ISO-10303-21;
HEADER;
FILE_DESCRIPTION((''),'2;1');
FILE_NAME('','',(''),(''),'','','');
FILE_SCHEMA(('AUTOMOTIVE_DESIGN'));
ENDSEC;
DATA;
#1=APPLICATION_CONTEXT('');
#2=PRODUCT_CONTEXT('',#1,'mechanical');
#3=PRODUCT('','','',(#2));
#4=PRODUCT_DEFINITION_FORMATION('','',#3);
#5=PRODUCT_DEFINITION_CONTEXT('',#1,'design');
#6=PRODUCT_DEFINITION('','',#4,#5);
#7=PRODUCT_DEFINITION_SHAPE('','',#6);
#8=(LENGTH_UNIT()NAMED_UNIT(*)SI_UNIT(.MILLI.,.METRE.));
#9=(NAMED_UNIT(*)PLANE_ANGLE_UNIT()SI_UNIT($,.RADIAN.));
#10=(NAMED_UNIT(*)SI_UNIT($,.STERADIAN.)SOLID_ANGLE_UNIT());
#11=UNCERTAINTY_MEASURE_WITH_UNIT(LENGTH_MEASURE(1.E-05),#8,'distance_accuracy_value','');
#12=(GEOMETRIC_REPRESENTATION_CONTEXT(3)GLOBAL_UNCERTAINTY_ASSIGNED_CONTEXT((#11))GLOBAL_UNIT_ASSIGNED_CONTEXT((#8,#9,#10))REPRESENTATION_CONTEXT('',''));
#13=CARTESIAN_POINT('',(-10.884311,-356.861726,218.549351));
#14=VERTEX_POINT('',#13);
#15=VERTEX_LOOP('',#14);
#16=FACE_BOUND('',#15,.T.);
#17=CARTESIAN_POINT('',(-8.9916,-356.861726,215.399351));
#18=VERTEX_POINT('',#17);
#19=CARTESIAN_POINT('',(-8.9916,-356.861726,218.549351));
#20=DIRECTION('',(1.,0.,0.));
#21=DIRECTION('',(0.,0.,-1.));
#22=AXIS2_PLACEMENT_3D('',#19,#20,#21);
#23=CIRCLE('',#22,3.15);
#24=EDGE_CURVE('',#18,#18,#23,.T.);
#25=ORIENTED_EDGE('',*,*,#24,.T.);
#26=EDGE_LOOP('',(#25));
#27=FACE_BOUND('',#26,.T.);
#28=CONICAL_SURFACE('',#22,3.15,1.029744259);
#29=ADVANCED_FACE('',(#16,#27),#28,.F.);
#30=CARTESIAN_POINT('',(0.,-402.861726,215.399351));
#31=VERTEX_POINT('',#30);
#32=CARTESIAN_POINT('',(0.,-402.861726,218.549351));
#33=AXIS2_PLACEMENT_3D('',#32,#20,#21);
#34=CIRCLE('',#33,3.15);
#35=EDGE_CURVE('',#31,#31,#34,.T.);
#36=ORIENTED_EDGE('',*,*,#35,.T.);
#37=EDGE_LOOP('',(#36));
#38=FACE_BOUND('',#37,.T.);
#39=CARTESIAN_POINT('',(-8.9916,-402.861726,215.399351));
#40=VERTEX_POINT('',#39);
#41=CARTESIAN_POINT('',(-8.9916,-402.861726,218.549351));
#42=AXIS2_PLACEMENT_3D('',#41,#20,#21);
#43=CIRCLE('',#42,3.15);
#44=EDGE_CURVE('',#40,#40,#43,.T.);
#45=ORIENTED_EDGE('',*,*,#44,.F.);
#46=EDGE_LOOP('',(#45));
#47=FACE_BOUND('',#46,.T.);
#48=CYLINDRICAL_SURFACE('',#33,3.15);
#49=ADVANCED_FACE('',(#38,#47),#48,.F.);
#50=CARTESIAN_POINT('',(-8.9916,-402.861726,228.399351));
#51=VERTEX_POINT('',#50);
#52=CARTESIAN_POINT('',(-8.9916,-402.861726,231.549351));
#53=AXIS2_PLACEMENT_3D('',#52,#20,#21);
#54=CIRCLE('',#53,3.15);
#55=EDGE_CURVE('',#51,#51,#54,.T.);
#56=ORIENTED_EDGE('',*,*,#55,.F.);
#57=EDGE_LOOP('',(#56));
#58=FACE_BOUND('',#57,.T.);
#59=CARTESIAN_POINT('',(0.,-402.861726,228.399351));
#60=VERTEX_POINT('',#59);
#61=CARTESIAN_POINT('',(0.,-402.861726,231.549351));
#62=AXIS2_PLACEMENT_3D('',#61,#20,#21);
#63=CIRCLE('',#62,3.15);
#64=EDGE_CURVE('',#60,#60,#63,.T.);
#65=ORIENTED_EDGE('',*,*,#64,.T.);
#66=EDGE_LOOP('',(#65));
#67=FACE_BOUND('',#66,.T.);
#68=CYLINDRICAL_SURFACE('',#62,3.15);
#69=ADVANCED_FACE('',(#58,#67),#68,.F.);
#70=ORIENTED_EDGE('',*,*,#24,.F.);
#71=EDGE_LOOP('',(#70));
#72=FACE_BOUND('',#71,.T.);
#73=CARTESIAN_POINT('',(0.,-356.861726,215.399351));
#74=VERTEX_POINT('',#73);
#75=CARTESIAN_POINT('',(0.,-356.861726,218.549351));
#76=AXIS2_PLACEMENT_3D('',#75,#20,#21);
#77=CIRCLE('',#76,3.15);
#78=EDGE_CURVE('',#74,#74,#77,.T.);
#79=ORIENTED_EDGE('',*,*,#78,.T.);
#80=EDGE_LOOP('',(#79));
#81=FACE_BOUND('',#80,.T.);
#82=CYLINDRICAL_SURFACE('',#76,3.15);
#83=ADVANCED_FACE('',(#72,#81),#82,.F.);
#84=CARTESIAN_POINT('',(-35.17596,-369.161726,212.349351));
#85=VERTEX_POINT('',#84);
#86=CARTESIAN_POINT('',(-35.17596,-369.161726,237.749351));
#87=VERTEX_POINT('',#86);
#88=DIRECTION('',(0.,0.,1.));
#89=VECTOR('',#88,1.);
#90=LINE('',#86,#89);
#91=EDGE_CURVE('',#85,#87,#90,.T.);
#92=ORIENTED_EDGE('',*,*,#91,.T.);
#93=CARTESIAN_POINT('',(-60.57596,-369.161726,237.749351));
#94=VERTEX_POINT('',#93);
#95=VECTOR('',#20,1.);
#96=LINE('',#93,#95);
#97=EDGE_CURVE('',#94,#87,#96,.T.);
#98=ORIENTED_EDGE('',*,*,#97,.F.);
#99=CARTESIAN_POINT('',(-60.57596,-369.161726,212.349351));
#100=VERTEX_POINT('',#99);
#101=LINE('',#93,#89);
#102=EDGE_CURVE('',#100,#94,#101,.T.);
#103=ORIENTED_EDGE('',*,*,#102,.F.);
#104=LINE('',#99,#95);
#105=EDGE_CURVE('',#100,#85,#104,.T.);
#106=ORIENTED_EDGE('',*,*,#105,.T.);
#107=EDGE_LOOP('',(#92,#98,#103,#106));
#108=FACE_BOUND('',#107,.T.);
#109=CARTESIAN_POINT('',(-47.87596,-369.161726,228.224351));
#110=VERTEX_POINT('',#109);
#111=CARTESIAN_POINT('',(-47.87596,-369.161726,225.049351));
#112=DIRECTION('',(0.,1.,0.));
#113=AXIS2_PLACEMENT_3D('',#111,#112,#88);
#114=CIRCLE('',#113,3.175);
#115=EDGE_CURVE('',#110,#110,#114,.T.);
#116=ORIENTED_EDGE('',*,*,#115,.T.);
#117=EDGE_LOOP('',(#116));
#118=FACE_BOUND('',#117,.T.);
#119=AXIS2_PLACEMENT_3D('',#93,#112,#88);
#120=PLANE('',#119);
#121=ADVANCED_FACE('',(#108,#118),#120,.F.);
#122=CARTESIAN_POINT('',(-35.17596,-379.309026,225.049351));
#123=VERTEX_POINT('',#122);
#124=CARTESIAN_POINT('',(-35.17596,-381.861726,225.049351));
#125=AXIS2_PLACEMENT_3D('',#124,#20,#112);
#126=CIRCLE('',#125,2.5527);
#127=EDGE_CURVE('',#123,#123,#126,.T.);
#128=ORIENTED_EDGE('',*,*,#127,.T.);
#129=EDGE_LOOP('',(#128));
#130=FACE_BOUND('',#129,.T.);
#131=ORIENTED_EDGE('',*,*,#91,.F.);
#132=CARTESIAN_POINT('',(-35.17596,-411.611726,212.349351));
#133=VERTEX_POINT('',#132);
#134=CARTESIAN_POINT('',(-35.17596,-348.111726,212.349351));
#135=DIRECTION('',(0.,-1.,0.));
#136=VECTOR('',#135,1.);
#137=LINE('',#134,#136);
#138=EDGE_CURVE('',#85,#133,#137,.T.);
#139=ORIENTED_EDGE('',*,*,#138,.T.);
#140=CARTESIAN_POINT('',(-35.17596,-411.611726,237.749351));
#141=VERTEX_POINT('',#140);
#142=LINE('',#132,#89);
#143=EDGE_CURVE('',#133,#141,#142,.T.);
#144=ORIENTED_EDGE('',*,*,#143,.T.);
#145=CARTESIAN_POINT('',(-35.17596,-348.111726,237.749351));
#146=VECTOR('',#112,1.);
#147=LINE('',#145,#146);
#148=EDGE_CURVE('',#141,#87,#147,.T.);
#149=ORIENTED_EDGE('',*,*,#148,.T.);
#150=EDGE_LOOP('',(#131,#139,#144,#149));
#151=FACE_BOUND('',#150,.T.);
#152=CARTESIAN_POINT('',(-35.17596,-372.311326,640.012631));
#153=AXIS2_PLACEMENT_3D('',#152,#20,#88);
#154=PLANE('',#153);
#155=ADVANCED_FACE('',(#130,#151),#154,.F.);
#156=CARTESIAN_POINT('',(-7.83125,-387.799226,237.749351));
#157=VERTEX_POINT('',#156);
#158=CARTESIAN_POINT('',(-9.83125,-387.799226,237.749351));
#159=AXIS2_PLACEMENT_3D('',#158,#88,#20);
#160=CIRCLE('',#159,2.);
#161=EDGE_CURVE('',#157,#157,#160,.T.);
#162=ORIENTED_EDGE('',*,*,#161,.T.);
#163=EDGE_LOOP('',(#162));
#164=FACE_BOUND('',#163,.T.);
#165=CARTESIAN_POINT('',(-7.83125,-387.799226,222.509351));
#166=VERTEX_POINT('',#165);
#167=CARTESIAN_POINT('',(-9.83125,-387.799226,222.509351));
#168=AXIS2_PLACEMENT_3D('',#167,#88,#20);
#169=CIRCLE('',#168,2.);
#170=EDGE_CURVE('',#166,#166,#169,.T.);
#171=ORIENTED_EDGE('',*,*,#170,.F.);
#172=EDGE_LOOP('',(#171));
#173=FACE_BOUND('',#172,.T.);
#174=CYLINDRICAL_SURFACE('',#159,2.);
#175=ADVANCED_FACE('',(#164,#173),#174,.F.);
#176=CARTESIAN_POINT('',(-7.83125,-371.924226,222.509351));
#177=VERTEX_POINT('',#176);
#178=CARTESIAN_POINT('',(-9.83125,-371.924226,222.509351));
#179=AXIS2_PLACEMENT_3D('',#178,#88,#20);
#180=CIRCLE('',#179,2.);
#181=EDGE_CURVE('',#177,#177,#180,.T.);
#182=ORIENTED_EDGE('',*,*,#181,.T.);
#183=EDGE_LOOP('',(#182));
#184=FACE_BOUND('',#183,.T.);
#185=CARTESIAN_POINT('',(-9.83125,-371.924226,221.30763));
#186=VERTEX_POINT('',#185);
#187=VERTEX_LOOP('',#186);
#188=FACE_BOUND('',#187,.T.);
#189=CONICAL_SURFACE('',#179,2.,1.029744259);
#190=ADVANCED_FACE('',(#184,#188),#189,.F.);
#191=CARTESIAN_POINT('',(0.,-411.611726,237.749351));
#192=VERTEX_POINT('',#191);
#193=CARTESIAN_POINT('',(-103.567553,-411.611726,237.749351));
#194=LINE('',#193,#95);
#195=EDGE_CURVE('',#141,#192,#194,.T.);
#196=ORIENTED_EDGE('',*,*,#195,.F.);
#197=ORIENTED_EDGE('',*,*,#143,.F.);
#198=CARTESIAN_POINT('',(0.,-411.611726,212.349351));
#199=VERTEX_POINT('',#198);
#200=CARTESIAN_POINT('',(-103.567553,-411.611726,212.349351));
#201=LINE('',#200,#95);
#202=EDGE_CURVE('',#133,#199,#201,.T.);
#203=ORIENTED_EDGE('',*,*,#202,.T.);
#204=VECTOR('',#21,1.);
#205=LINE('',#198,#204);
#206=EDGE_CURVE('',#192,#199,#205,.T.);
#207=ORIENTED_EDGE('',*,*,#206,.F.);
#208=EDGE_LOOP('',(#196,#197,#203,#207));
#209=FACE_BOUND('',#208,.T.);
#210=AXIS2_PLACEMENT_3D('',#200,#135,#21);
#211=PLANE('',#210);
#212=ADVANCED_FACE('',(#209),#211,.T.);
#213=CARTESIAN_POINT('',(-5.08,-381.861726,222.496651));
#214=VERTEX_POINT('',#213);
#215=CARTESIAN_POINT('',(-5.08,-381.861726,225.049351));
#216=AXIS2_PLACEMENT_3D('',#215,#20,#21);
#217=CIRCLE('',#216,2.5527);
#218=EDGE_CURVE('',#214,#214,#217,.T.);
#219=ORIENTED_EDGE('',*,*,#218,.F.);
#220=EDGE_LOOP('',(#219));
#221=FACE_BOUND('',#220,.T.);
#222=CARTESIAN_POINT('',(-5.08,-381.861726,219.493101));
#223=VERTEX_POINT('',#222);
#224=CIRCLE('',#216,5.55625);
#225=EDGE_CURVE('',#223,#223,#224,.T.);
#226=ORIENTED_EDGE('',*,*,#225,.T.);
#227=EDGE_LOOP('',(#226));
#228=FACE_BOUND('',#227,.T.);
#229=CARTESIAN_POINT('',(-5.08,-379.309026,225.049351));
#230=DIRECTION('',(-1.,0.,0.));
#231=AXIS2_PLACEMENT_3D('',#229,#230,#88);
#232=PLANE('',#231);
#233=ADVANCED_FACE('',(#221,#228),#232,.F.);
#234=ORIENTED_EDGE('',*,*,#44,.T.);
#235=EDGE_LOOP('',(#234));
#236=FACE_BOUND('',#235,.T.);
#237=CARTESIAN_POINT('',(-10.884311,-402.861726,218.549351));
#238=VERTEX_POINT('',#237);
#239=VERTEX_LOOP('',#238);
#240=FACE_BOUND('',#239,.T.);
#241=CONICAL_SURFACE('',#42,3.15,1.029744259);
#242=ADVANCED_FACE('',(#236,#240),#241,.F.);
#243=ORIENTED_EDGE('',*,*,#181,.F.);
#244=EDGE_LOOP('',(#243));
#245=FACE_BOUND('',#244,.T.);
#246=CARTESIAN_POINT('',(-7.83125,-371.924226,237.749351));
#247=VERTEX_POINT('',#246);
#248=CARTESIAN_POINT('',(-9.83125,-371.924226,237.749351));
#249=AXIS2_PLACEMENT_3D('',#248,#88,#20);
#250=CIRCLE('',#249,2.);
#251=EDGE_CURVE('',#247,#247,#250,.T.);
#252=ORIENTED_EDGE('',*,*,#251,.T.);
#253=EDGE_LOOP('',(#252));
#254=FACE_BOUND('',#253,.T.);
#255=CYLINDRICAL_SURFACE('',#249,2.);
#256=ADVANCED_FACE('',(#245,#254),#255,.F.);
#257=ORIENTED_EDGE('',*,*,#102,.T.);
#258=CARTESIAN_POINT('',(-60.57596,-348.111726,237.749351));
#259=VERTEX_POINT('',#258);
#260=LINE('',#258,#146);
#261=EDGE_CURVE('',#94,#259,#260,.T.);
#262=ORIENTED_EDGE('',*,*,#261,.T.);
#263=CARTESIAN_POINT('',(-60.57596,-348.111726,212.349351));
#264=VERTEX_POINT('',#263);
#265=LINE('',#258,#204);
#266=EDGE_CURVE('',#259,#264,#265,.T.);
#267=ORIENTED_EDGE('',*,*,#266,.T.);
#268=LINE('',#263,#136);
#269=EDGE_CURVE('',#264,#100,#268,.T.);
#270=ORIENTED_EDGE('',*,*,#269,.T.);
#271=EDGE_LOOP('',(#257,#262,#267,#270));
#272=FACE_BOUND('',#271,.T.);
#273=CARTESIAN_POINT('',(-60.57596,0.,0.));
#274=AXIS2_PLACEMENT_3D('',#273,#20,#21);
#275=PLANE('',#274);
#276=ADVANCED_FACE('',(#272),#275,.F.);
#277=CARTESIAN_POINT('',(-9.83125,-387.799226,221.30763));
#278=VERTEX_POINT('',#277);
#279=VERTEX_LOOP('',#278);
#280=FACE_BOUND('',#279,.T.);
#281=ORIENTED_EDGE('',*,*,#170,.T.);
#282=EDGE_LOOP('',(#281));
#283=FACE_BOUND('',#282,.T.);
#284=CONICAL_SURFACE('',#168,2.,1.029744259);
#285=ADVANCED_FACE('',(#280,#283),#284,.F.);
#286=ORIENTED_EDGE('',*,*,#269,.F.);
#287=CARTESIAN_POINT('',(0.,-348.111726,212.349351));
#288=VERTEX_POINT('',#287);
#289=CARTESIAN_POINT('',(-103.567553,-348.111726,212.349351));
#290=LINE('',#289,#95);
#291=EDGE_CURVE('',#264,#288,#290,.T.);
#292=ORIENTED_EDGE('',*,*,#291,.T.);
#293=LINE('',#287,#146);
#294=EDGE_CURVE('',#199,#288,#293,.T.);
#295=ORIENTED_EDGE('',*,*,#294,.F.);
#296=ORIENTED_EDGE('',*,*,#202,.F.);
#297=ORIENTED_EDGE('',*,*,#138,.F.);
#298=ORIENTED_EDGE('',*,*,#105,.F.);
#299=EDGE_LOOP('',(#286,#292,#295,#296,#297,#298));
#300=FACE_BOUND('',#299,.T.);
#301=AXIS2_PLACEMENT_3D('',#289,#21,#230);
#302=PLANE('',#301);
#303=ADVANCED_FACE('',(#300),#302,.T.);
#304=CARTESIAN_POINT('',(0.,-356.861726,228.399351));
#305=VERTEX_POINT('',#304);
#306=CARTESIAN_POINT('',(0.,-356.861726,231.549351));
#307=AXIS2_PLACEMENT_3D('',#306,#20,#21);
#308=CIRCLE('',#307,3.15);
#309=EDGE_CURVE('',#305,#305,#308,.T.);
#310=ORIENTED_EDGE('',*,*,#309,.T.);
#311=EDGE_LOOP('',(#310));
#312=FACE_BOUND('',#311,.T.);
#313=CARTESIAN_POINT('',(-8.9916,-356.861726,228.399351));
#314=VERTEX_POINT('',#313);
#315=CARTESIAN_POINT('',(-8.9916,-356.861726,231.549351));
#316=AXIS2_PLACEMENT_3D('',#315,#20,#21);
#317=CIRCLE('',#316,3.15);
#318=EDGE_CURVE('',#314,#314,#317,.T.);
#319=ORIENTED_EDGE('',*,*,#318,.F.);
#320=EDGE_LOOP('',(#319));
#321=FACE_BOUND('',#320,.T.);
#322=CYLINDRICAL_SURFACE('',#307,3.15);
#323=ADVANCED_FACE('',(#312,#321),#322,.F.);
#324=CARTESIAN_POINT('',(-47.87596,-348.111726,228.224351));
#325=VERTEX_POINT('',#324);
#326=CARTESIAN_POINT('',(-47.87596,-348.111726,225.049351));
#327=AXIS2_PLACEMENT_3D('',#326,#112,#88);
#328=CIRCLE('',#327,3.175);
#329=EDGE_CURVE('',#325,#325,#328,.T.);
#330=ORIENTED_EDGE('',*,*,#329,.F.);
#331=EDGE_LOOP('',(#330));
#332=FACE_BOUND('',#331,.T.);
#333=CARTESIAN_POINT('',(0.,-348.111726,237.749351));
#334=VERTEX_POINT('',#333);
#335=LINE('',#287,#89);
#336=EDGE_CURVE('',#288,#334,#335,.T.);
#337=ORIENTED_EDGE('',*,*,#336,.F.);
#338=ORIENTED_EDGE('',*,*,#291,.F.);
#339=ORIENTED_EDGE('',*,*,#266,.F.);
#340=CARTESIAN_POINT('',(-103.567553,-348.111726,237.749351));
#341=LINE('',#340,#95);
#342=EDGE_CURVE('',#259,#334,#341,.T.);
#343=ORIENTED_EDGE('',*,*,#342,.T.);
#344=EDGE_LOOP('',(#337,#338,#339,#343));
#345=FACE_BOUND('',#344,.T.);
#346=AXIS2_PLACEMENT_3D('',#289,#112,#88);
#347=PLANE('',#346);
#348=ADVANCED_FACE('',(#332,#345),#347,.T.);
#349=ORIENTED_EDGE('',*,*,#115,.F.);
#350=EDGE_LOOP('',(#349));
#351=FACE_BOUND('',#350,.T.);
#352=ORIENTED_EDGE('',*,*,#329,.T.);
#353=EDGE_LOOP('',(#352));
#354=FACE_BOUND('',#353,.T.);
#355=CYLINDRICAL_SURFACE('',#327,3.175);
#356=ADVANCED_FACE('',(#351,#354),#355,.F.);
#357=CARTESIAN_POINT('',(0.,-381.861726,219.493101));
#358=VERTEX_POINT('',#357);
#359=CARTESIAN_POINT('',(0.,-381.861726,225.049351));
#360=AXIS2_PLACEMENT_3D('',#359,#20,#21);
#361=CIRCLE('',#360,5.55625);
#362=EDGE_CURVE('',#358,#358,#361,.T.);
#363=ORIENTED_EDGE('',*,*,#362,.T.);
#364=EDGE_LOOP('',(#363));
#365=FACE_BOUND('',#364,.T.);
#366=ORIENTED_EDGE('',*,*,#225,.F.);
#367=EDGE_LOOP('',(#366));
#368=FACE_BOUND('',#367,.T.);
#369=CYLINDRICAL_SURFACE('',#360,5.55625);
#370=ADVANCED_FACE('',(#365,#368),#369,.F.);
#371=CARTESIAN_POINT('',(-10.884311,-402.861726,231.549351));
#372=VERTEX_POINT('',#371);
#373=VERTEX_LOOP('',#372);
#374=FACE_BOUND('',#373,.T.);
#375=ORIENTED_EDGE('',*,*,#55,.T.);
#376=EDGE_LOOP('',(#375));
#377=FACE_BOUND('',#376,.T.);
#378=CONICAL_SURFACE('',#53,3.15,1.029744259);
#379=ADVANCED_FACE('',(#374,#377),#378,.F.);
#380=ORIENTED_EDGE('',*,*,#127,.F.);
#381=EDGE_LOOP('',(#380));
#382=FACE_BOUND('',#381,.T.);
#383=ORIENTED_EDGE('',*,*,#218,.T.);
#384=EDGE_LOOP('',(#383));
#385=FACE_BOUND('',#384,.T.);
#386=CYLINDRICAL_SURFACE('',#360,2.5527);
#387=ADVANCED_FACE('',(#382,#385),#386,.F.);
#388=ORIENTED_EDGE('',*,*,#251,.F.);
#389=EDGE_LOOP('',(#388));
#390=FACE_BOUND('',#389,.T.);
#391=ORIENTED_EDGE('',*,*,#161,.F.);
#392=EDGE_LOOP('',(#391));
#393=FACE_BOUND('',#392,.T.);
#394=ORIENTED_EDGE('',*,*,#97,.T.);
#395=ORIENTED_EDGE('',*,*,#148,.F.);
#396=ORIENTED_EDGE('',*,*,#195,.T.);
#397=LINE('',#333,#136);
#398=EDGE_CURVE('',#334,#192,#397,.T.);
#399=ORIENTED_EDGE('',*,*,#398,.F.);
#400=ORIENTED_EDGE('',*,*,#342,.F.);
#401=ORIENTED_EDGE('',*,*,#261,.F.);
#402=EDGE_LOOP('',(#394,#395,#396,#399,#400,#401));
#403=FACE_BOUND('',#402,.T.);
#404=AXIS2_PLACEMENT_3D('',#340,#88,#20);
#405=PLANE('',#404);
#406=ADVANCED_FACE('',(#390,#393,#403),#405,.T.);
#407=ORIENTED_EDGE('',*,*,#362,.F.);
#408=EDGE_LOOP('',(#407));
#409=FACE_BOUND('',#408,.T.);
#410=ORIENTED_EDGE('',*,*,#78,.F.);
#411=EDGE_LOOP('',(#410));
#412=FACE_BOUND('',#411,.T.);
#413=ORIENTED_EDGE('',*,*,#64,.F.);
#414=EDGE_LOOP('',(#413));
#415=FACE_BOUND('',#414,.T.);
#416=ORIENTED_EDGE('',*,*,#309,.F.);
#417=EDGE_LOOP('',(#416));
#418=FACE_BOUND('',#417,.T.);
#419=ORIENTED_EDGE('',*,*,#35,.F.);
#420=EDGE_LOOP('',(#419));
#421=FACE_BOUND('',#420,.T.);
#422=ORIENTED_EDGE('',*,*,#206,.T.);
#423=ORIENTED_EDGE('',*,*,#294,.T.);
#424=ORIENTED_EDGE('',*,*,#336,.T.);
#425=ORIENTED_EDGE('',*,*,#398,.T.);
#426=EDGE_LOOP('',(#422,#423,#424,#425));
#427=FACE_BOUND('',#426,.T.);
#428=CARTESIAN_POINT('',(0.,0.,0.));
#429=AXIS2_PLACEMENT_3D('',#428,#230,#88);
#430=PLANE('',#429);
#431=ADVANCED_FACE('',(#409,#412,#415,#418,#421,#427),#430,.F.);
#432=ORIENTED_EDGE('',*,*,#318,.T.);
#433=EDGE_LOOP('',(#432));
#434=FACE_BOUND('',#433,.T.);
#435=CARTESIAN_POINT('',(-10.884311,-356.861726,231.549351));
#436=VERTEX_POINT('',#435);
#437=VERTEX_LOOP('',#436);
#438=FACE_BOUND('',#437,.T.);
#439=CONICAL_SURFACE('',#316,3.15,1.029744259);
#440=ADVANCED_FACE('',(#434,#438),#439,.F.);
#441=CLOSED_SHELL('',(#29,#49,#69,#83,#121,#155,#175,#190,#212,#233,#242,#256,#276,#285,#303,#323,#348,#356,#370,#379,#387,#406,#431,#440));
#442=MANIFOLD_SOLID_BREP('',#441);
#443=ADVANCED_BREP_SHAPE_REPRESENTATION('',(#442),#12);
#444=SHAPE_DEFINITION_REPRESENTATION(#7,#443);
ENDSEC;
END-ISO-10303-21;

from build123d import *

# Parameters (mm, degrees)
SKETCH2_W                                           = 25.4
SKETCH2_H                                           = 63.5
BOSS_EXTRUDE1_DEPTH                                 = 35.17596
SKETCH3_W                                           = 25.4
SKETCH3_H                                           = 21.05
BOSS_EXTRUDE2_DEPTH                                 = 25.4
F_1_4_0_25_DIAMETER_HOLE1_D                         = 6.35
F_1_0MM_DOWEL_HOLE1_D                               = 6.3
F_1_0MM_DOWEL_HOLE1_DEPTH                           = 8.9916
F_1_0MM_DOWEL_HOLE1_TIP                             = 1.89271095
F_4_0MM_DOWEL_HOLE1_D                               = 4
F_4_0MM_DOWEL_HOLE1_DEPTH                           = 15.24
F_4_0MM_DOWEL_HOLE1_TIP                             = 1.201721238
CBORE_FOR_10_BINDING_HEAD_MACHINE_SCREW_D           = 5.1054
CBORE_FOR_10_BINDING_HEAD_MACHINE_SCREW_DEPTH       = 35.17596
CBORE_FOR_10_BINDING_HEAD_MACHINE_SCREW_CBORE_D     = 11.1125
CBORE_FOR_10_BINDING_HEAD_MACHINE_SCREW_CBORE_DEPTH = 5.08


with BuildPart() as part:
    # Sketch2 → Boss-Extrude1 (new body)
    with BuildSketch(Plane(origin=(0, 0, 0), x_dir=(0, 0, -1), z_dir=(1, 0, 0))):
        with Locations((-225.049350785, -379.861725806)):
            Rectangle(SKETCH2_W, SKETCH2_H)
    extrude(amount=-BOSS_EXTRUDE1_DEPTH)

    # Sketch3 → Boss-Extrude2 (add)
    with BuildSketch(Plane.ZY.offset(35.17596)):
        with Locations((225.049350785, -358.636725806)):
            Rectangle(SKETCH3_W, SKETCH3_H)
    extrude(amount=BOSS_EXTRUDE2_DEPTH)

    # 1/4 (0.25) Diameter Hole1 (through all)
    with Locations(Plane(origin=(0, -348.111725806, 0), x_dir=(1, 0, 0), z_dir=(0, 1, 0))):
        with Locations((-47.87596, -225.049350785)):
            Hole(F_1_4_0_25_DIAMETER_HOLE1_D / 2)

    # Ø1.0mm Dowel Hole1
    with Locations(Plane(origin=(0, 0, 0), x_dir=(0, 0, -1), z_dir=(1, 0, 0))):
        with Locations((-231.549350785, -356.861725806), (-218.549350785, -356.861725806), (-231.549350785, -402.861725805), (-218.549350785, -402.861725805)):
            Hole(F_1_0MM_DOWEL_HOLE1_D / 2, depth=F_1_0MM_DOWEL_HOLE1_DEPTH)
            with Locations((0, 0, -(F_1_0MM_DOWEL_HOLE1_DEPTH + F_1_0MM_DOWEL_HOLE1_TIP / 2))):  # 118° drill point
                Cone(0, F_1_0MM_DOWEL_HOLE1_D / 2, F_1_0MM_DOWEL_HOLE1_TIP, mode=Mode.SUBTRACT)

    # Ø4.0mm Dowel Hole1
    with Locations(Plane(origin=(0, 0, 237.749350785), x_dir=(-1, 0, 0), z_dir=(0, 0, 1))):
        with Locations((9.83125001, 371.924225806), (9.83125001, 387.799225806)):
            Hole(F_4_0MM_DOWEL_HOLE1_D / 2, depth=F_4_0MM_DOWEL_HOLE1_DEPTH)
            with Locations((0, 0, -(F_4_0MM_DOWEL_HOLE1_DEPTH + F_4_0MM_DOWEL_HOLE1_TIP / 2))):  # 118° drill point
                Cone(0, F_4_0MM_DOWEL_HOLE1_D / 2, F_4_0MM_DOWEL_HOLE1_TIP, mode=Mode.SUBTRACT)

    # CBORE for #10 Binding Head Machine Screw1
    with Locations(Plane(origin=(0, 0, 0), x_dir=(0, 0, -1), z_dir=(1, 0, 0))):
        with Locations((-225.049350785, -381.861725806)):
            CounterBoreHole(CBORE_FOR_10_BINDING_HEAD_MACHINE_SCREW_D / 2, CBORE_FOR_10_BINDING_HEAD_MACHINE_SCREW_CBORE_D / 2, CBORE_FOR_10_BINDING_HEAD_MACHINE_SCREW_CBORE_DEPTH, depth=CBORE_FOR_10_BINDING_HEAD_MACHINE_SCREW_DEPTH)


solid = part.part
